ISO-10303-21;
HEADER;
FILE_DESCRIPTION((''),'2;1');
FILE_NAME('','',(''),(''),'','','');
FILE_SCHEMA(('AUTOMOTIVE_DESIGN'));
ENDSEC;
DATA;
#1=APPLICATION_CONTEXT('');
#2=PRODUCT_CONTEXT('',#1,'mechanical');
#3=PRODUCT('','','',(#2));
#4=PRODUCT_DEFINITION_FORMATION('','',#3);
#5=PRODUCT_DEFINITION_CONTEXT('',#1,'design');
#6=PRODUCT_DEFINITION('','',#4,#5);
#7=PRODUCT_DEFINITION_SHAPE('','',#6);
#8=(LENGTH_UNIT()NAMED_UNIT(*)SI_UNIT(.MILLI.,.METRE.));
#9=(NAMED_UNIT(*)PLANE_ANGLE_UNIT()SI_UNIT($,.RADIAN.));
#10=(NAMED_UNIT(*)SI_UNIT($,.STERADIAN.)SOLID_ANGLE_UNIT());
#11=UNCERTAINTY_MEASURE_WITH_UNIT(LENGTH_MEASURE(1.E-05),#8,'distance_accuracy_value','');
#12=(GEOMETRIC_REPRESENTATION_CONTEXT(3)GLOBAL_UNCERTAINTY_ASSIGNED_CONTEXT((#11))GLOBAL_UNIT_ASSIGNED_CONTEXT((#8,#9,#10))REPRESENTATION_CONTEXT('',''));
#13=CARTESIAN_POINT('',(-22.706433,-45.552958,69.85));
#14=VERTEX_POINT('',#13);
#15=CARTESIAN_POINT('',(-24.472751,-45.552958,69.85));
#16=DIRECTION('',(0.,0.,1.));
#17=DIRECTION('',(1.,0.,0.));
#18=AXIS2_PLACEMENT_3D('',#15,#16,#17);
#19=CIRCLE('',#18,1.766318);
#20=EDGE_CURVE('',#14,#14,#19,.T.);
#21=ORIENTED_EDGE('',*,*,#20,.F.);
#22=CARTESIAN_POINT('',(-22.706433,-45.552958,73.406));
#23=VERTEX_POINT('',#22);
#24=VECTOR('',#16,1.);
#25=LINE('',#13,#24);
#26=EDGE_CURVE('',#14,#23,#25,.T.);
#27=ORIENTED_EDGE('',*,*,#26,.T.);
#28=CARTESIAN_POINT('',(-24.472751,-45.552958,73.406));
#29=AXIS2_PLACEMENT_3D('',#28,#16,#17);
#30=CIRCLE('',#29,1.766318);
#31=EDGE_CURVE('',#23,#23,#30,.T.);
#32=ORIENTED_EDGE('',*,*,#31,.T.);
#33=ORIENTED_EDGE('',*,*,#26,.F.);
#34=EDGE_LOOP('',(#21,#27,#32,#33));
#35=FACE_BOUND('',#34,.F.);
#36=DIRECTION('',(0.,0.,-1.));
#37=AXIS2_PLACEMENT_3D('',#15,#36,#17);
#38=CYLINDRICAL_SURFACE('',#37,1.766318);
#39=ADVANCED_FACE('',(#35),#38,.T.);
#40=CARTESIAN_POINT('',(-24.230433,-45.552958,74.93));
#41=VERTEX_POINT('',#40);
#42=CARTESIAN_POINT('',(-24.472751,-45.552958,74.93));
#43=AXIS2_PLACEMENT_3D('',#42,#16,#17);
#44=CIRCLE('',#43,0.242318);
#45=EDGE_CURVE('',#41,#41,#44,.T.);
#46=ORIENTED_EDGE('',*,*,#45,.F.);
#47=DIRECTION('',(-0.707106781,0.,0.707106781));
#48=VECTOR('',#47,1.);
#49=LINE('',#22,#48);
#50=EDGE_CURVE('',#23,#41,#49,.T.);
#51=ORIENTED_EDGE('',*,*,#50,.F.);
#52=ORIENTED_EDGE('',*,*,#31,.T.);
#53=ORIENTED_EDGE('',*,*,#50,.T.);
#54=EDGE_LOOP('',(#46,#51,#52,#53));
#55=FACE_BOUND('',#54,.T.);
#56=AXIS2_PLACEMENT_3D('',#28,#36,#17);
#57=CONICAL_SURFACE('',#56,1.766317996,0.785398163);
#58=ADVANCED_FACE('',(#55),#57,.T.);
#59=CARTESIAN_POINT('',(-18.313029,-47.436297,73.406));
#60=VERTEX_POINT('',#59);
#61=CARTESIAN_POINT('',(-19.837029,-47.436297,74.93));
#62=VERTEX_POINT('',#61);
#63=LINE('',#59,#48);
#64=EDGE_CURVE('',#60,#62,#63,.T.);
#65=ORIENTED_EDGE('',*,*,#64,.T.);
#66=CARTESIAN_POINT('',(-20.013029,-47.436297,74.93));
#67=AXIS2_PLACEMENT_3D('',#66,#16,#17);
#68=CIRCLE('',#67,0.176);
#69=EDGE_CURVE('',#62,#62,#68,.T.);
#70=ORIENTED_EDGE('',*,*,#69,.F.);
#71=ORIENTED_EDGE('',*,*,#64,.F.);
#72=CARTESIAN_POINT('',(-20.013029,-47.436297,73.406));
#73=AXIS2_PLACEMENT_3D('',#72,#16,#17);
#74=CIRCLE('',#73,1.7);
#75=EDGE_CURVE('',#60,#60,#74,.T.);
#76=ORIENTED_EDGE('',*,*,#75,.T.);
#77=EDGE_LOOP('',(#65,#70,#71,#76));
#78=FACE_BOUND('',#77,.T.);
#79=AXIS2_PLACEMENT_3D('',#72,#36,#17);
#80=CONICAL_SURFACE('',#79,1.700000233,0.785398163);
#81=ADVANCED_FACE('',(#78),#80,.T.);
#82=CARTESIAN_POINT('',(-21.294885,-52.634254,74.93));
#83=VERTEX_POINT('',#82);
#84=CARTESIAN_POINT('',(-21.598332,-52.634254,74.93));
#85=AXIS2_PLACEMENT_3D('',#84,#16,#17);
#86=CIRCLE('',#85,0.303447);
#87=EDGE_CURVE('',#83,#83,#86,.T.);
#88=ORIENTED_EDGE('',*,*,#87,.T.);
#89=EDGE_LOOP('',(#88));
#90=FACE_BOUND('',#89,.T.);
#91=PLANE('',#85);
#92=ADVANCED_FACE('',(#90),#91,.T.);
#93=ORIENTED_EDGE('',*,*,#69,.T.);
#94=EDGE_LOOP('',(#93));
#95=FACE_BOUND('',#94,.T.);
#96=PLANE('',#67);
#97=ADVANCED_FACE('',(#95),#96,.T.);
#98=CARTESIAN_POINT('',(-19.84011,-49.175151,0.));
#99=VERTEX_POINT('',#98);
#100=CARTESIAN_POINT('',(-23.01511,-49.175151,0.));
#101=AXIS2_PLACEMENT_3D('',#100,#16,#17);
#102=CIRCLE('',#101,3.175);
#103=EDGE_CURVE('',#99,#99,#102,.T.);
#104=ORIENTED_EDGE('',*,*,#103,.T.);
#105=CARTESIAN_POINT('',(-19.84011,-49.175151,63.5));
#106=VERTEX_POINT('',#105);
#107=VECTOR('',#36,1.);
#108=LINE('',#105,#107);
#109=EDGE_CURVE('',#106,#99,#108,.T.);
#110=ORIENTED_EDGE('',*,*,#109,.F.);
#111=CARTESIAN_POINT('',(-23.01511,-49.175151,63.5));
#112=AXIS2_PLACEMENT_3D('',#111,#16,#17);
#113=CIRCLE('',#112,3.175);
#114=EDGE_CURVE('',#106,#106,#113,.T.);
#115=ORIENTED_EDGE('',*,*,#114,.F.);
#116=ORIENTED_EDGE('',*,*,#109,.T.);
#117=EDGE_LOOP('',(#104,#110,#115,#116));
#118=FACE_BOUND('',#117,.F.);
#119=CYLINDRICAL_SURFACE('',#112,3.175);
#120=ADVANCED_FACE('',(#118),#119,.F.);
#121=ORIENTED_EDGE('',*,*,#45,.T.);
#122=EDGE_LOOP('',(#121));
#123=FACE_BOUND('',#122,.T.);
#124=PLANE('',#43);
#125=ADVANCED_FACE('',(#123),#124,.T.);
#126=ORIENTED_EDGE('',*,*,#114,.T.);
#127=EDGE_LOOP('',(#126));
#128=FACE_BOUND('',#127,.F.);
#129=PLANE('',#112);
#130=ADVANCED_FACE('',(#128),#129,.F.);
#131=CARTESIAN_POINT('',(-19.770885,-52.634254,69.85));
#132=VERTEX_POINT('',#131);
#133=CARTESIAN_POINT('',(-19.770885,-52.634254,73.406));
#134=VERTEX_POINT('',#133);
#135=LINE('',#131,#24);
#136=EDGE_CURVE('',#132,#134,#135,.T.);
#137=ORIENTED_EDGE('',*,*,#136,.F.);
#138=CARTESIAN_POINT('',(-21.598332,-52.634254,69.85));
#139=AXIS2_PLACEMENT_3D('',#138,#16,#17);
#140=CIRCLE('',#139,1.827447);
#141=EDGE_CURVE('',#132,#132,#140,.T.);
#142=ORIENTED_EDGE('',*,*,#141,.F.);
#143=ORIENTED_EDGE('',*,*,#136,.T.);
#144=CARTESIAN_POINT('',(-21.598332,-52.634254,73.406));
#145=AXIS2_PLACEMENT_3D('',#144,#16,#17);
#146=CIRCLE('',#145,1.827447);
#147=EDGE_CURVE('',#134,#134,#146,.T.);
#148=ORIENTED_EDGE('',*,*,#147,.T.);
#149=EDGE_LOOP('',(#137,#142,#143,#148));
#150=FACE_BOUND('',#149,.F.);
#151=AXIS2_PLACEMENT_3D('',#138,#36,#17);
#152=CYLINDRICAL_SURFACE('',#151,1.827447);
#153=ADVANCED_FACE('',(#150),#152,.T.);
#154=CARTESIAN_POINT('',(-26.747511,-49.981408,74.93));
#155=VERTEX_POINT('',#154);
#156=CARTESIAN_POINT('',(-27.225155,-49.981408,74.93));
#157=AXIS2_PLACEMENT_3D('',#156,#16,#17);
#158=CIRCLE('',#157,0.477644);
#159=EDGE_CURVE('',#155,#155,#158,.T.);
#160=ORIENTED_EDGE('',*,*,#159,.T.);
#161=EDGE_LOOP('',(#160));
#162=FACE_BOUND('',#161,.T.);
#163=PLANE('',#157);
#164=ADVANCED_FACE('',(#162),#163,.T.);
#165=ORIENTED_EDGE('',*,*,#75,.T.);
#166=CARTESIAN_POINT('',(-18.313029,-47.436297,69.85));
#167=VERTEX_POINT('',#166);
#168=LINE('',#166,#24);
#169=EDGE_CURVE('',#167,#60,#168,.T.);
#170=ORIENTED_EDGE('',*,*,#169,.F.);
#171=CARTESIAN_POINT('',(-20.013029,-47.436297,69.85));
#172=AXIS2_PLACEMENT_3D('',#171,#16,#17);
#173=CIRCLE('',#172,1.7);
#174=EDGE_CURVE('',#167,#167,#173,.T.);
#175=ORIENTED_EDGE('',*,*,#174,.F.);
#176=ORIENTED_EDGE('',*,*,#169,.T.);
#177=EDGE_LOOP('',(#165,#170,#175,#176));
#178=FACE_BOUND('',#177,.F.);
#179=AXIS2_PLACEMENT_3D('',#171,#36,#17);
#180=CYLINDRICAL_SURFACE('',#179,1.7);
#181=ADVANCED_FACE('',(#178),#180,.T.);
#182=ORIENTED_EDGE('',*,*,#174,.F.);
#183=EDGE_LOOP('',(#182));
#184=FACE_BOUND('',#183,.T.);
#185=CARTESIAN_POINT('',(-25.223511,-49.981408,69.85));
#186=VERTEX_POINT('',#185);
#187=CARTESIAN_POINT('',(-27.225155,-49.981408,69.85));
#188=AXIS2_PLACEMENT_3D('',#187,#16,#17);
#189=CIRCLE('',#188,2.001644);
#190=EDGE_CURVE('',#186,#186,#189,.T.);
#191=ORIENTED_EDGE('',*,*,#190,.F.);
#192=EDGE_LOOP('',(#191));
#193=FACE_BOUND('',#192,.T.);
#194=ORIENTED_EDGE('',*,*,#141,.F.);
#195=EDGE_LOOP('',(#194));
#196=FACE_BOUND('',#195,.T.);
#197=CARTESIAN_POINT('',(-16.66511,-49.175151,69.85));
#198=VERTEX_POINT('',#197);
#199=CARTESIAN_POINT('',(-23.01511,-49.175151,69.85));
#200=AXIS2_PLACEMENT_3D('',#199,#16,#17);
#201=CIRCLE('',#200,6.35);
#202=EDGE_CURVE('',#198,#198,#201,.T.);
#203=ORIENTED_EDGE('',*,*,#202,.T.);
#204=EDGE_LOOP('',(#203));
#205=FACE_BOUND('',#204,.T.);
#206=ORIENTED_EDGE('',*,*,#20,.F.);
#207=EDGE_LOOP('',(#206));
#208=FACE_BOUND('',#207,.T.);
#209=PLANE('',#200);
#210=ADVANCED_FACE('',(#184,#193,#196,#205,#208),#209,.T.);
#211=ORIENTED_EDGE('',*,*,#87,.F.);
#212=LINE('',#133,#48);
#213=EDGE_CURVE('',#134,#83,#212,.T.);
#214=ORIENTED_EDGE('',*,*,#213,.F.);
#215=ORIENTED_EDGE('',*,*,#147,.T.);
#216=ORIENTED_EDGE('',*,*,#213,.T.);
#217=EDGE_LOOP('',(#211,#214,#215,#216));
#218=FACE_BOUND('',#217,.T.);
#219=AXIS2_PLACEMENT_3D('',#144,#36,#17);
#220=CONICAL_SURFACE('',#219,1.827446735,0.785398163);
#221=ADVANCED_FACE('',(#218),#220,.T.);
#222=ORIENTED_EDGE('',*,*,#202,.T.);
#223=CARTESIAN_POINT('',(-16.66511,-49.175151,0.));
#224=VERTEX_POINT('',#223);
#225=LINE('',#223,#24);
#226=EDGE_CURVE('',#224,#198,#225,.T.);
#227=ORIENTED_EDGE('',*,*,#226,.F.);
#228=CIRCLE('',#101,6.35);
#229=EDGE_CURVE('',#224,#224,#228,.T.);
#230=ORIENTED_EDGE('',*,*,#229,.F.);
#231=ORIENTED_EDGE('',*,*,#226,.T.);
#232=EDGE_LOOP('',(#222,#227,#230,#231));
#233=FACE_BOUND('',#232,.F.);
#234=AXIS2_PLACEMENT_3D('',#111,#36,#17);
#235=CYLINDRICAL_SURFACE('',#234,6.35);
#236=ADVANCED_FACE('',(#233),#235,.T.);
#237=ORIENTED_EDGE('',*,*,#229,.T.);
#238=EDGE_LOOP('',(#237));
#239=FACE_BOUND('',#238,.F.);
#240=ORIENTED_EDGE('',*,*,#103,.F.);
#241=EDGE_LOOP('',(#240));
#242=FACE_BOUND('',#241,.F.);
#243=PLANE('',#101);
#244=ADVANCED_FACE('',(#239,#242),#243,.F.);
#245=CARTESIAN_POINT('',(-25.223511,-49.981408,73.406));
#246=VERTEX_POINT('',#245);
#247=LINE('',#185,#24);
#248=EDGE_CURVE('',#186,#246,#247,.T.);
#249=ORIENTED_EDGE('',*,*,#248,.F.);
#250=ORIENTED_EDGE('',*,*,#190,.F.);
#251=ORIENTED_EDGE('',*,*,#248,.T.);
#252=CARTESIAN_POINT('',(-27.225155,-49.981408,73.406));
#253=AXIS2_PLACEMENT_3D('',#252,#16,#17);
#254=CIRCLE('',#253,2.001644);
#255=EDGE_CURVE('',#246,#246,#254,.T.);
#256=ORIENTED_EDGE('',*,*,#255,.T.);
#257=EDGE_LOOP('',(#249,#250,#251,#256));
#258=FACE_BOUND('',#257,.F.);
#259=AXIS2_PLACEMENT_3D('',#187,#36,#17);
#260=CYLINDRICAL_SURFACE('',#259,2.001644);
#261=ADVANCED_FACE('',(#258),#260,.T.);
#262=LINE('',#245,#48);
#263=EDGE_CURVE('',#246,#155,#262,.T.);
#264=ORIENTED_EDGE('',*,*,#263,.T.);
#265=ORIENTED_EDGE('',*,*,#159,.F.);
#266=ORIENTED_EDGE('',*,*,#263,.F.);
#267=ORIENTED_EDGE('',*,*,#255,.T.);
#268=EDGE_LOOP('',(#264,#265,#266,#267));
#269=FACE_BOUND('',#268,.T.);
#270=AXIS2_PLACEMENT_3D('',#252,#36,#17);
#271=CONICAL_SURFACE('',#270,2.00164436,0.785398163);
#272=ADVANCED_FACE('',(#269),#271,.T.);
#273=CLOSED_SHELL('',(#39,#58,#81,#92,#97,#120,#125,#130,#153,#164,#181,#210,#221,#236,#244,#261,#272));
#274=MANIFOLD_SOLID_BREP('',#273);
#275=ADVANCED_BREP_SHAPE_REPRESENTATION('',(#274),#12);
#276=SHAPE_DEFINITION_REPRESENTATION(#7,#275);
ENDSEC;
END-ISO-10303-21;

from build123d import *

# Parameters (mm, degrees)
F0_R     = 6.35
F1_DEPTH = 63.5
F3_R     = 6.35
F4_DEPTH = 6.35
F5_D     = 6.35
F5_DEPTH = 63.5
F5_TIP   = 1.9077324654
F6_R     = 1.7663179958
F6_R_2   = 1.7000002335
F6_R_3   = 1.8274467347
F6_R_4   = 2.00164436
F7_DEPTH = 5.08
F8_SIZE  = 1.524


with BuildPart() as f1:
    # F0 (on Top) → F1 (new body)
    with BuildSketch(Plane.XY):
        with Locations((-23.0151098222, -49.1751506925)):
            Circle(F0_R)
    extrude(amount=F1_DEPTH)

    # F3 (on face) → F4 (join)
    with BuildSketch(Plane.XY.offset(63.5)):
        with Locations((-23.0151098222, -49.1751506925)):
            Circle(F3_R)
    extrude(amount=F4_DEPTH)

    # F5 (one way)
    with BuildSketch(Plane.XY.offset(63.5)):
        with Locations((-23.0151098222, -49.1751506925)):
            Circle(F5_D / 2)
    extrude(amount=-F5_DEPTH, mode=Mode.SUBTRACT)
    with Locations(Plane.XY.offset(63.5)):
        with Locations((-23.0151098222, -49.1751506925)):
            with Locations((0, 0, -(F5_DEPTH + F5_TIP / 2))):  # 118° drill point
                Cone(0, F5_D / 2, F5_TIP, mode=Mode.SUBTRACT)

    # F6 (on face) → F7 (join)
    with BuildSketch(Plane.XY.offset(69.85)):
        with Locations((-24.4727507234, -45.552957803)):
            Circle(F6_R)
        with Locations((-20.0130287558, -47.4362969398)):
            Circle(F6_R_2)
        with Locations((-21.5983316302, -52.6342540979)):
            Circle(F6_R_3)
        with Locations((-27.2251553833, -49.9814078212)):
            Circle(F6_R_4)
    extrude(amount=F7_DEPTH)

    # F8
    f8_edges = [f1.edges().sort_by_distance(p)[0] for p in [
        (-29.2268, -49.981408, 74.93),
        (-26.239069, -45.552958, 74.93),
        (-21.713029, -47.436297, 74.93),
        (-23.425778, -52.634254, 74.93),
    ]]
    chamfer(f8_edges, length=F8_SIZE)


solid = f1.part
